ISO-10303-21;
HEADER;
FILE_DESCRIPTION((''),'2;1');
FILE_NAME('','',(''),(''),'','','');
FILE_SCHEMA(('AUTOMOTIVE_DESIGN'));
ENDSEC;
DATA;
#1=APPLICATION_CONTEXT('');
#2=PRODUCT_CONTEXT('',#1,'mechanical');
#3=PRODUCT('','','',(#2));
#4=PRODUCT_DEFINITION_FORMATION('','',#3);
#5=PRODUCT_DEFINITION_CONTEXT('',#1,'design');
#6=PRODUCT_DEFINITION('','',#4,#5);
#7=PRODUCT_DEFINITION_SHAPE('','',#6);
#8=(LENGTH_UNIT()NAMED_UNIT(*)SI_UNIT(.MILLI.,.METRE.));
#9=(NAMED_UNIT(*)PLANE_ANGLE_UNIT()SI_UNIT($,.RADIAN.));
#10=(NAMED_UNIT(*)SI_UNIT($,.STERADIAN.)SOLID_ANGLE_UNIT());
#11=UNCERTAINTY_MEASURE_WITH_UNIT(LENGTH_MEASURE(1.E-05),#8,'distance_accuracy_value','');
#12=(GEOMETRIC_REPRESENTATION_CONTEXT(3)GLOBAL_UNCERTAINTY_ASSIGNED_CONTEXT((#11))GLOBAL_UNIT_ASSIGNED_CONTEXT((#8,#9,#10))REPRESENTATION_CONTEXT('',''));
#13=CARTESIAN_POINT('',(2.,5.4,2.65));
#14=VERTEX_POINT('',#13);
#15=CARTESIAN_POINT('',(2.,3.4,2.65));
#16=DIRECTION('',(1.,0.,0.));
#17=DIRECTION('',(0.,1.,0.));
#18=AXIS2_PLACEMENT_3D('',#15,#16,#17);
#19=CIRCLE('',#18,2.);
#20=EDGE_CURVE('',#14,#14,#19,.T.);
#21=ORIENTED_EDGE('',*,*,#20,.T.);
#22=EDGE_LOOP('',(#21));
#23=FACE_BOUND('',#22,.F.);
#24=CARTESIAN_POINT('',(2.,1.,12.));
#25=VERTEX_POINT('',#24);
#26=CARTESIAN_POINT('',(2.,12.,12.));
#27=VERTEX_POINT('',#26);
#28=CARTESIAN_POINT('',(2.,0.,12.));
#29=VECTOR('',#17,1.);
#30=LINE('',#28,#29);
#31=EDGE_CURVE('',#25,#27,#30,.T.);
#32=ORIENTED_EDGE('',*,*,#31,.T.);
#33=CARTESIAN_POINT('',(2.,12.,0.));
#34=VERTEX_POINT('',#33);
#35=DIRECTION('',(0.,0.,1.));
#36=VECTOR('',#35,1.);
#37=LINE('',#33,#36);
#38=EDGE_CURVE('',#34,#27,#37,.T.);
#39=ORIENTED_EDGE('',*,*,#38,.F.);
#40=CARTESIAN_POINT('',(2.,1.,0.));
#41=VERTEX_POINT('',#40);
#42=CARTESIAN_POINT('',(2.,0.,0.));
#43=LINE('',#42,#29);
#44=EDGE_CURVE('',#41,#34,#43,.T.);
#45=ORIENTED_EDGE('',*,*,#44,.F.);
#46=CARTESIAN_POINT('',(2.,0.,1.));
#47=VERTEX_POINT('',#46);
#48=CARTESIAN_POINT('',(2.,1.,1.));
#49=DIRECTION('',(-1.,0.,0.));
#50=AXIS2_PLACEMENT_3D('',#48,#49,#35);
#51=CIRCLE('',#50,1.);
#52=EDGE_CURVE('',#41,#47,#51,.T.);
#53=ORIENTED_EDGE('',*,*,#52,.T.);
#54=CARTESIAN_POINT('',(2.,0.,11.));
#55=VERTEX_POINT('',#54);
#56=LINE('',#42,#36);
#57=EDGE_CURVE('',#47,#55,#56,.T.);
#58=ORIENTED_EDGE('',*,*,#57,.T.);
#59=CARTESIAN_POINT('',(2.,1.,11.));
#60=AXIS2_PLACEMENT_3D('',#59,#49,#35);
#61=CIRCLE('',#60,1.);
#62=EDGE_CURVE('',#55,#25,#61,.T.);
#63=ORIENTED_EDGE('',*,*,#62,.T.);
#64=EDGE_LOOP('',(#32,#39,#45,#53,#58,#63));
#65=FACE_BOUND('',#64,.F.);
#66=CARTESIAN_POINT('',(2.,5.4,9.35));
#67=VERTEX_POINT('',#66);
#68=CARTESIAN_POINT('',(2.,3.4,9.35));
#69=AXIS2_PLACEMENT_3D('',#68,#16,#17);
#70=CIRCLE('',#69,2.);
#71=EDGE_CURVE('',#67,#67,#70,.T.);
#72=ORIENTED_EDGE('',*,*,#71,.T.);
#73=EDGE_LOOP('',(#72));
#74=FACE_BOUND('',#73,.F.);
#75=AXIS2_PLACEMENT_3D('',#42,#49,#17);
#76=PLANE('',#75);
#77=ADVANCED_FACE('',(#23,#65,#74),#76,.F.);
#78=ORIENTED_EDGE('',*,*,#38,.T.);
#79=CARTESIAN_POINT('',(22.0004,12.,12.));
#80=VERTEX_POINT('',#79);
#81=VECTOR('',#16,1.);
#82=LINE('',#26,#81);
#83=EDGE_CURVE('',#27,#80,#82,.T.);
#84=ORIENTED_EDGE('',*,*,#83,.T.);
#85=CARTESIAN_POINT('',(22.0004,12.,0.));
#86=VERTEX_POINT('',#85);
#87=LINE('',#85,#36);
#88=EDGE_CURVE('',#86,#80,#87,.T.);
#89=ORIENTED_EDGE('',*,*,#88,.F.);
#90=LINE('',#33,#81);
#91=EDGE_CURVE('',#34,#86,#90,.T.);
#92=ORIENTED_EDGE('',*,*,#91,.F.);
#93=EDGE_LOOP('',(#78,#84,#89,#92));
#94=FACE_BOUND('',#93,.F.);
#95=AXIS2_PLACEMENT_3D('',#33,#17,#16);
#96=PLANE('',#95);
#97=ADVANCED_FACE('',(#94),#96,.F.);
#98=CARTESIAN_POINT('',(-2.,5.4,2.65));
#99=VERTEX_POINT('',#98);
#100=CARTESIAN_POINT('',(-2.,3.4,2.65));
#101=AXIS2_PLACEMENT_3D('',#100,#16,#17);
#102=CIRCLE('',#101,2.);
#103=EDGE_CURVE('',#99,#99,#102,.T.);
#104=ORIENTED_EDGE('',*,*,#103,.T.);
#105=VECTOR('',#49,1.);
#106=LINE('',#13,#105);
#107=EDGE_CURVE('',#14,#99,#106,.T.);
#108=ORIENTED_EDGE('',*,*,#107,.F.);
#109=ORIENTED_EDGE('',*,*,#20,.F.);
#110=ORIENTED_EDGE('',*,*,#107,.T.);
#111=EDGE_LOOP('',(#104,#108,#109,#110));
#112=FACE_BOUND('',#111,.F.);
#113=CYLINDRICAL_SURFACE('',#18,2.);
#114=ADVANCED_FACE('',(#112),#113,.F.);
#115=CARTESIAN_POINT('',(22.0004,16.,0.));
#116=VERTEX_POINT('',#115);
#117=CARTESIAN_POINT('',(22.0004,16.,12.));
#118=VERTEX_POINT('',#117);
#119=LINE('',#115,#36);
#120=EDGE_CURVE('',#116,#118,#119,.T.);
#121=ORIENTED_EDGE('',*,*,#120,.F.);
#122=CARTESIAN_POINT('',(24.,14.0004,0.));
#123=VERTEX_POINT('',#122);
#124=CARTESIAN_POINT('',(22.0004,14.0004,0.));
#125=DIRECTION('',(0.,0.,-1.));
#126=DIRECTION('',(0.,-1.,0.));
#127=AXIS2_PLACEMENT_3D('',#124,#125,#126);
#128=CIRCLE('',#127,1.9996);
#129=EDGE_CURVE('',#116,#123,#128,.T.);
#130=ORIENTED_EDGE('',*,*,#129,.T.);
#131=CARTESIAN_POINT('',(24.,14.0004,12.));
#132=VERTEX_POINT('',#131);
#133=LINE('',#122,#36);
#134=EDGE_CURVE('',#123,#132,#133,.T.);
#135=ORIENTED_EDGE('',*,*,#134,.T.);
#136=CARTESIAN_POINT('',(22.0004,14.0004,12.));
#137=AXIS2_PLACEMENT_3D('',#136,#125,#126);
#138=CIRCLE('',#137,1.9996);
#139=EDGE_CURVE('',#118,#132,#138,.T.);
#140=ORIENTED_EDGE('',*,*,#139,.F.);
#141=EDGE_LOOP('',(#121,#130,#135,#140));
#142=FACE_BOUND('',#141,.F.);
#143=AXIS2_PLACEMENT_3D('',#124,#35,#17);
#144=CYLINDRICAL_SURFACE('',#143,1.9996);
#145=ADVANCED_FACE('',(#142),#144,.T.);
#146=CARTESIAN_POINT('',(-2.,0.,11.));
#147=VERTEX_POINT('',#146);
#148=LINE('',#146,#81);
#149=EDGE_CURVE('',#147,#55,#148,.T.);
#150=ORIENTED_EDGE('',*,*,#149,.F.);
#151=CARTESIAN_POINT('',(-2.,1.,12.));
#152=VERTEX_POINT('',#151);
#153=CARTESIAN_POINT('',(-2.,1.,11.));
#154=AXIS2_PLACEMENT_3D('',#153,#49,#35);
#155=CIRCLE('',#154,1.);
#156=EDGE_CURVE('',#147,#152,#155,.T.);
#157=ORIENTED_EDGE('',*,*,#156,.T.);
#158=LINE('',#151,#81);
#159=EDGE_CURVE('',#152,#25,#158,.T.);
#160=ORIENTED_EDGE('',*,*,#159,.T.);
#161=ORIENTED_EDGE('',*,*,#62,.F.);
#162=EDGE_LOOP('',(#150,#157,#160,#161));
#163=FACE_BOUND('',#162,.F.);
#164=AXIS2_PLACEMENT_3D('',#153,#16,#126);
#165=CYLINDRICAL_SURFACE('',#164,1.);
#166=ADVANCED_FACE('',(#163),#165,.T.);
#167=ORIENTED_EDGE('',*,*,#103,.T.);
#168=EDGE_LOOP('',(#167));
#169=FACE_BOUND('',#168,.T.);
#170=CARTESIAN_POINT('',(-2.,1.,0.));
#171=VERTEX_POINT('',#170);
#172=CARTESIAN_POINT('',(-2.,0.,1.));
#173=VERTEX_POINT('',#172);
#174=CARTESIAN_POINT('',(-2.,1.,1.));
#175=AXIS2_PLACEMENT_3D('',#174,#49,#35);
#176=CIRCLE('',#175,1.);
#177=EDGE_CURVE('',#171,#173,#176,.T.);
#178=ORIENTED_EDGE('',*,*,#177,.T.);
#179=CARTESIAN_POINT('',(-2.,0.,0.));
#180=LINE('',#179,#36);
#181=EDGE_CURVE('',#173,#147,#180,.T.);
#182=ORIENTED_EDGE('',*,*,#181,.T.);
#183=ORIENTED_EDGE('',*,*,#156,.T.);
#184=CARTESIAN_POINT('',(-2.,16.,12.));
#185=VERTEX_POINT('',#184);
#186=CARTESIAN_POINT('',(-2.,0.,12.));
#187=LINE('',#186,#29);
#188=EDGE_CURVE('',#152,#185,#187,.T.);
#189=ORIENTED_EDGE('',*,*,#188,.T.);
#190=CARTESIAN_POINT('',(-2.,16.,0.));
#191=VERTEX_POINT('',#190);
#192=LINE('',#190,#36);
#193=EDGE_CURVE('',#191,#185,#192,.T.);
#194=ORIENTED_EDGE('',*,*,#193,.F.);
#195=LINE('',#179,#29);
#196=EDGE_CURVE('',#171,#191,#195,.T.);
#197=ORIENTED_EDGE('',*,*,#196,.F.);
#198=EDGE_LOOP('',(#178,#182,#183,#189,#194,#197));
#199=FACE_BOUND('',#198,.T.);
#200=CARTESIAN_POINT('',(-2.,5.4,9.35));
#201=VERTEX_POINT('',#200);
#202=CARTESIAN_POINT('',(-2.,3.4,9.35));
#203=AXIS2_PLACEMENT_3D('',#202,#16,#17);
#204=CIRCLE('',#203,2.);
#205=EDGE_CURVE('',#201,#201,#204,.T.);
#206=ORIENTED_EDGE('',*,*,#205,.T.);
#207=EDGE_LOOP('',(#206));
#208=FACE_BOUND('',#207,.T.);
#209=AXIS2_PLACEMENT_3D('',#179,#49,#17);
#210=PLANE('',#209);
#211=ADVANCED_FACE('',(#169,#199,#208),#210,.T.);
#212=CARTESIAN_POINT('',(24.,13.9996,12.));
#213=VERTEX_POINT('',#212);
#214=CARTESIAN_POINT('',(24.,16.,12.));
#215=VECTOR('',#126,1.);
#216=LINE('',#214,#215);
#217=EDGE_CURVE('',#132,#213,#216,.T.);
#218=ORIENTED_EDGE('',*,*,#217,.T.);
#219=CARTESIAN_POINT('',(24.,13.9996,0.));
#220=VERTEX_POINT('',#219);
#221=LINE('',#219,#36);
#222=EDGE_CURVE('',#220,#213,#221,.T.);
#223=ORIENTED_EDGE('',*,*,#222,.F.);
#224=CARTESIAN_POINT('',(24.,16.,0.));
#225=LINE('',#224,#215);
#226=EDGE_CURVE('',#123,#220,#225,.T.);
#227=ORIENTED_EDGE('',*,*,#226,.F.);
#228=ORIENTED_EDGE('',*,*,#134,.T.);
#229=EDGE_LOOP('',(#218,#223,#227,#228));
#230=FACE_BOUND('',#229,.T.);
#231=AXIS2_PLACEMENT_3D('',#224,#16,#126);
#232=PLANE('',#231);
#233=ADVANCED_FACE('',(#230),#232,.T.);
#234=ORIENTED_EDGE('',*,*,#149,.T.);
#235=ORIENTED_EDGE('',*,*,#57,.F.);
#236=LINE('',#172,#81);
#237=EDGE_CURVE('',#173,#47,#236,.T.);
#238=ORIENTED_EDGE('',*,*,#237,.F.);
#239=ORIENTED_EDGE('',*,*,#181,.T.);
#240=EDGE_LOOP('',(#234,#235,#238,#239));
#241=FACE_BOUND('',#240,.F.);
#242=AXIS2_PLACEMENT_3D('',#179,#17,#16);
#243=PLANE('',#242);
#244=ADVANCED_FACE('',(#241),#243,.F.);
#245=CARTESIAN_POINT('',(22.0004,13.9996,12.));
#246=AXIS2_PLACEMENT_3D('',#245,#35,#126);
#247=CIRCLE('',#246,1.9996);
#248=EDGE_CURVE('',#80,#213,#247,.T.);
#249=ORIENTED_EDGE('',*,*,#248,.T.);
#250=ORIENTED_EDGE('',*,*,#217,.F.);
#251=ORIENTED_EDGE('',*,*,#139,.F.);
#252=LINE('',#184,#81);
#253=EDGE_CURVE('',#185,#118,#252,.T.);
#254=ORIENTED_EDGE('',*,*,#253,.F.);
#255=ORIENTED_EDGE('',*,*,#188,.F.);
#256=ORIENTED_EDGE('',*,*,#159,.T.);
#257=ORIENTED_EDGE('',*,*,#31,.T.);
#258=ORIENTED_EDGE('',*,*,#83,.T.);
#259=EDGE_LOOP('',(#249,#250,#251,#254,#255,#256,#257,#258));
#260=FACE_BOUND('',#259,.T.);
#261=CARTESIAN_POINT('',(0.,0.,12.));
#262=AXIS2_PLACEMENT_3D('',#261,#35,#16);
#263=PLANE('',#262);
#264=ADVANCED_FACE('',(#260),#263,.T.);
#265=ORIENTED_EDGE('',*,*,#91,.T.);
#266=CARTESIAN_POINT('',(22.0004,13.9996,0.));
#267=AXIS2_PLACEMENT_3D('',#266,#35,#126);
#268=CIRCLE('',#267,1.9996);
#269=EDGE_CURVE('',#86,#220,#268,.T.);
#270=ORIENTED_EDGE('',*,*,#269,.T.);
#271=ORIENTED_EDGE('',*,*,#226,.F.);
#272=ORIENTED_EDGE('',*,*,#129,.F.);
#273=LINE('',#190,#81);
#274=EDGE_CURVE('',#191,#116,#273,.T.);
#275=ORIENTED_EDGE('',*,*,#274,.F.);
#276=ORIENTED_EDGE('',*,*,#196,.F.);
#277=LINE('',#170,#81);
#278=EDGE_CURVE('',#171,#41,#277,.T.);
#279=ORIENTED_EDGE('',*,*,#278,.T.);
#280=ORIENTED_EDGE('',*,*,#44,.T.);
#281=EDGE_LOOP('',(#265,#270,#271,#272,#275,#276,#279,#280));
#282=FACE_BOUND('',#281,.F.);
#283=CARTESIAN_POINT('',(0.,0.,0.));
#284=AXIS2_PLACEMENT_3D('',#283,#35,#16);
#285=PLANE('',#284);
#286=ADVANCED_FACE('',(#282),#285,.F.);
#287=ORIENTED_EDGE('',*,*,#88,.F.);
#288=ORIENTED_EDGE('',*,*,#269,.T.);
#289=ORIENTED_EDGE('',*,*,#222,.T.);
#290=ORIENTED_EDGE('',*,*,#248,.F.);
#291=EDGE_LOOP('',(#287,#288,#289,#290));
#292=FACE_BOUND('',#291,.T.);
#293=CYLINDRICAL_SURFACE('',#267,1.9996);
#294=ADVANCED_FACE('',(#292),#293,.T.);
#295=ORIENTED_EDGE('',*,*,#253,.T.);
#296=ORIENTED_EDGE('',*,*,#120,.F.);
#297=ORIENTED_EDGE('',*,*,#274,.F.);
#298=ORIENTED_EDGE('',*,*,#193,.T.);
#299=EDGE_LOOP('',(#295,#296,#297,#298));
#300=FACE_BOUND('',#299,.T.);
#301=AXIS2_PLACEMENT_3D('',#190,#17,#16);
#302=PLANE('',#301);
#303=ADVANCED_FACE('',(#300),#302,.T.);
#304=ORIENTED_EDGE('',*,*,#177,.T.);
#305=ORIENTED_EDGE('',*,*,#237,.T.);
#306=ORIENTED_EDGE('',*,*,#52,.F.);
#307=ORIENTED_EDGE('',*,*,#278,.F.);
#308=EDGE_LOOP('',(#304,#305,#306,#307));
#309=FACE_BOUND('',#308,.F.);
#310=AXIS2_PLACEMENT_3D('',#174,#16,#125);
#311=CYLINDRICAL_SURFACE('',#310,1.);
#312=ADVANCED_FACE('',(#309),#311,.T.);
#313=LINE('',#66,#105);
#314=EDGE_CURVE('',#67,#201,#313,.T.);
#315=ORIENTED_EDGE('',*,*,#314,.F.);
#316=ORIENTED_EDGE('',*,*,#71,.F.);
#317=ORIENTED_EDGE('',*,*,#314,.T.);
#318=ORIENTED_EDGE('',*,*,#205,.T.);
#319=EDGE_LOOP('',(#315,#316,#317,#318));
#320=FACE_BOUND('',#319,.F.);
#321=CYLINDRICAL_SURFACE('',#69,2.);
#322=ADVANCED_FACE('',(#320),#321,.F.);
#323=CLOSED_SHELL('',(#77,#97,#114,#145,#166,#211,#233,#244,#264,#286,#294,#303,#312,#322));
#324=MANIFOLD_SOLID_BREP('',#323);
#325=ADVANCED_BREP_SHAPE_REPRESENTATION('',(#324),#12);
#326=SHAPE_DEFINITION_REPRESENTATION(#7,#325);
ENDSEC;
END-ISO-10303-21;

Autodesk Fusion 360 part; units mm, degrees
sketch "Skizze1" plane through (0, 0, 0) normal (0, 0, 1) x (1, 0, 0)
  line L0 (2, 12) -> (24, 12)
  line L1 (-2, 16) -> (24, 16)
  line L2 (24, 16) -> (24, 12)
  line L3 (2, 0) -> (2, 12)
  line L4 (-2, 0) -> (-2, 16)
  line L5 (-2, 0) -> (2, 0)
extrude "Extrusion1" add sketch "Skizze1" along normal blind 12
sketch "Skizze2" plane through (2, 0, 0) normal (1, 0, 0) x (0, 1, 0)
  line L0 (0, 0) -> (12, 0)
  line L1 (12, 0) -> (12, 12)
  line L2 (12, 12) -> (0, 12)
  line L3 (0, 12) -> (0, 0)
  circle A0 centre (3.4, 9.35) radius 2
  circle A1 centre (3.4, 2.65) radius 2
  dimension "d11" = 4
  dimension "d13" = 4
extrude "Extrusion2" cut sketch "Skizze2" against normal blind 12 contours A0 | A1
fillet "Abrundung1" radius 2 2 edges at (24, 16, 6) (24, 12, 6)
fillet "Abrundung2" radius 1 2 edges at (0, 0, 12) (0, 0, 0)
